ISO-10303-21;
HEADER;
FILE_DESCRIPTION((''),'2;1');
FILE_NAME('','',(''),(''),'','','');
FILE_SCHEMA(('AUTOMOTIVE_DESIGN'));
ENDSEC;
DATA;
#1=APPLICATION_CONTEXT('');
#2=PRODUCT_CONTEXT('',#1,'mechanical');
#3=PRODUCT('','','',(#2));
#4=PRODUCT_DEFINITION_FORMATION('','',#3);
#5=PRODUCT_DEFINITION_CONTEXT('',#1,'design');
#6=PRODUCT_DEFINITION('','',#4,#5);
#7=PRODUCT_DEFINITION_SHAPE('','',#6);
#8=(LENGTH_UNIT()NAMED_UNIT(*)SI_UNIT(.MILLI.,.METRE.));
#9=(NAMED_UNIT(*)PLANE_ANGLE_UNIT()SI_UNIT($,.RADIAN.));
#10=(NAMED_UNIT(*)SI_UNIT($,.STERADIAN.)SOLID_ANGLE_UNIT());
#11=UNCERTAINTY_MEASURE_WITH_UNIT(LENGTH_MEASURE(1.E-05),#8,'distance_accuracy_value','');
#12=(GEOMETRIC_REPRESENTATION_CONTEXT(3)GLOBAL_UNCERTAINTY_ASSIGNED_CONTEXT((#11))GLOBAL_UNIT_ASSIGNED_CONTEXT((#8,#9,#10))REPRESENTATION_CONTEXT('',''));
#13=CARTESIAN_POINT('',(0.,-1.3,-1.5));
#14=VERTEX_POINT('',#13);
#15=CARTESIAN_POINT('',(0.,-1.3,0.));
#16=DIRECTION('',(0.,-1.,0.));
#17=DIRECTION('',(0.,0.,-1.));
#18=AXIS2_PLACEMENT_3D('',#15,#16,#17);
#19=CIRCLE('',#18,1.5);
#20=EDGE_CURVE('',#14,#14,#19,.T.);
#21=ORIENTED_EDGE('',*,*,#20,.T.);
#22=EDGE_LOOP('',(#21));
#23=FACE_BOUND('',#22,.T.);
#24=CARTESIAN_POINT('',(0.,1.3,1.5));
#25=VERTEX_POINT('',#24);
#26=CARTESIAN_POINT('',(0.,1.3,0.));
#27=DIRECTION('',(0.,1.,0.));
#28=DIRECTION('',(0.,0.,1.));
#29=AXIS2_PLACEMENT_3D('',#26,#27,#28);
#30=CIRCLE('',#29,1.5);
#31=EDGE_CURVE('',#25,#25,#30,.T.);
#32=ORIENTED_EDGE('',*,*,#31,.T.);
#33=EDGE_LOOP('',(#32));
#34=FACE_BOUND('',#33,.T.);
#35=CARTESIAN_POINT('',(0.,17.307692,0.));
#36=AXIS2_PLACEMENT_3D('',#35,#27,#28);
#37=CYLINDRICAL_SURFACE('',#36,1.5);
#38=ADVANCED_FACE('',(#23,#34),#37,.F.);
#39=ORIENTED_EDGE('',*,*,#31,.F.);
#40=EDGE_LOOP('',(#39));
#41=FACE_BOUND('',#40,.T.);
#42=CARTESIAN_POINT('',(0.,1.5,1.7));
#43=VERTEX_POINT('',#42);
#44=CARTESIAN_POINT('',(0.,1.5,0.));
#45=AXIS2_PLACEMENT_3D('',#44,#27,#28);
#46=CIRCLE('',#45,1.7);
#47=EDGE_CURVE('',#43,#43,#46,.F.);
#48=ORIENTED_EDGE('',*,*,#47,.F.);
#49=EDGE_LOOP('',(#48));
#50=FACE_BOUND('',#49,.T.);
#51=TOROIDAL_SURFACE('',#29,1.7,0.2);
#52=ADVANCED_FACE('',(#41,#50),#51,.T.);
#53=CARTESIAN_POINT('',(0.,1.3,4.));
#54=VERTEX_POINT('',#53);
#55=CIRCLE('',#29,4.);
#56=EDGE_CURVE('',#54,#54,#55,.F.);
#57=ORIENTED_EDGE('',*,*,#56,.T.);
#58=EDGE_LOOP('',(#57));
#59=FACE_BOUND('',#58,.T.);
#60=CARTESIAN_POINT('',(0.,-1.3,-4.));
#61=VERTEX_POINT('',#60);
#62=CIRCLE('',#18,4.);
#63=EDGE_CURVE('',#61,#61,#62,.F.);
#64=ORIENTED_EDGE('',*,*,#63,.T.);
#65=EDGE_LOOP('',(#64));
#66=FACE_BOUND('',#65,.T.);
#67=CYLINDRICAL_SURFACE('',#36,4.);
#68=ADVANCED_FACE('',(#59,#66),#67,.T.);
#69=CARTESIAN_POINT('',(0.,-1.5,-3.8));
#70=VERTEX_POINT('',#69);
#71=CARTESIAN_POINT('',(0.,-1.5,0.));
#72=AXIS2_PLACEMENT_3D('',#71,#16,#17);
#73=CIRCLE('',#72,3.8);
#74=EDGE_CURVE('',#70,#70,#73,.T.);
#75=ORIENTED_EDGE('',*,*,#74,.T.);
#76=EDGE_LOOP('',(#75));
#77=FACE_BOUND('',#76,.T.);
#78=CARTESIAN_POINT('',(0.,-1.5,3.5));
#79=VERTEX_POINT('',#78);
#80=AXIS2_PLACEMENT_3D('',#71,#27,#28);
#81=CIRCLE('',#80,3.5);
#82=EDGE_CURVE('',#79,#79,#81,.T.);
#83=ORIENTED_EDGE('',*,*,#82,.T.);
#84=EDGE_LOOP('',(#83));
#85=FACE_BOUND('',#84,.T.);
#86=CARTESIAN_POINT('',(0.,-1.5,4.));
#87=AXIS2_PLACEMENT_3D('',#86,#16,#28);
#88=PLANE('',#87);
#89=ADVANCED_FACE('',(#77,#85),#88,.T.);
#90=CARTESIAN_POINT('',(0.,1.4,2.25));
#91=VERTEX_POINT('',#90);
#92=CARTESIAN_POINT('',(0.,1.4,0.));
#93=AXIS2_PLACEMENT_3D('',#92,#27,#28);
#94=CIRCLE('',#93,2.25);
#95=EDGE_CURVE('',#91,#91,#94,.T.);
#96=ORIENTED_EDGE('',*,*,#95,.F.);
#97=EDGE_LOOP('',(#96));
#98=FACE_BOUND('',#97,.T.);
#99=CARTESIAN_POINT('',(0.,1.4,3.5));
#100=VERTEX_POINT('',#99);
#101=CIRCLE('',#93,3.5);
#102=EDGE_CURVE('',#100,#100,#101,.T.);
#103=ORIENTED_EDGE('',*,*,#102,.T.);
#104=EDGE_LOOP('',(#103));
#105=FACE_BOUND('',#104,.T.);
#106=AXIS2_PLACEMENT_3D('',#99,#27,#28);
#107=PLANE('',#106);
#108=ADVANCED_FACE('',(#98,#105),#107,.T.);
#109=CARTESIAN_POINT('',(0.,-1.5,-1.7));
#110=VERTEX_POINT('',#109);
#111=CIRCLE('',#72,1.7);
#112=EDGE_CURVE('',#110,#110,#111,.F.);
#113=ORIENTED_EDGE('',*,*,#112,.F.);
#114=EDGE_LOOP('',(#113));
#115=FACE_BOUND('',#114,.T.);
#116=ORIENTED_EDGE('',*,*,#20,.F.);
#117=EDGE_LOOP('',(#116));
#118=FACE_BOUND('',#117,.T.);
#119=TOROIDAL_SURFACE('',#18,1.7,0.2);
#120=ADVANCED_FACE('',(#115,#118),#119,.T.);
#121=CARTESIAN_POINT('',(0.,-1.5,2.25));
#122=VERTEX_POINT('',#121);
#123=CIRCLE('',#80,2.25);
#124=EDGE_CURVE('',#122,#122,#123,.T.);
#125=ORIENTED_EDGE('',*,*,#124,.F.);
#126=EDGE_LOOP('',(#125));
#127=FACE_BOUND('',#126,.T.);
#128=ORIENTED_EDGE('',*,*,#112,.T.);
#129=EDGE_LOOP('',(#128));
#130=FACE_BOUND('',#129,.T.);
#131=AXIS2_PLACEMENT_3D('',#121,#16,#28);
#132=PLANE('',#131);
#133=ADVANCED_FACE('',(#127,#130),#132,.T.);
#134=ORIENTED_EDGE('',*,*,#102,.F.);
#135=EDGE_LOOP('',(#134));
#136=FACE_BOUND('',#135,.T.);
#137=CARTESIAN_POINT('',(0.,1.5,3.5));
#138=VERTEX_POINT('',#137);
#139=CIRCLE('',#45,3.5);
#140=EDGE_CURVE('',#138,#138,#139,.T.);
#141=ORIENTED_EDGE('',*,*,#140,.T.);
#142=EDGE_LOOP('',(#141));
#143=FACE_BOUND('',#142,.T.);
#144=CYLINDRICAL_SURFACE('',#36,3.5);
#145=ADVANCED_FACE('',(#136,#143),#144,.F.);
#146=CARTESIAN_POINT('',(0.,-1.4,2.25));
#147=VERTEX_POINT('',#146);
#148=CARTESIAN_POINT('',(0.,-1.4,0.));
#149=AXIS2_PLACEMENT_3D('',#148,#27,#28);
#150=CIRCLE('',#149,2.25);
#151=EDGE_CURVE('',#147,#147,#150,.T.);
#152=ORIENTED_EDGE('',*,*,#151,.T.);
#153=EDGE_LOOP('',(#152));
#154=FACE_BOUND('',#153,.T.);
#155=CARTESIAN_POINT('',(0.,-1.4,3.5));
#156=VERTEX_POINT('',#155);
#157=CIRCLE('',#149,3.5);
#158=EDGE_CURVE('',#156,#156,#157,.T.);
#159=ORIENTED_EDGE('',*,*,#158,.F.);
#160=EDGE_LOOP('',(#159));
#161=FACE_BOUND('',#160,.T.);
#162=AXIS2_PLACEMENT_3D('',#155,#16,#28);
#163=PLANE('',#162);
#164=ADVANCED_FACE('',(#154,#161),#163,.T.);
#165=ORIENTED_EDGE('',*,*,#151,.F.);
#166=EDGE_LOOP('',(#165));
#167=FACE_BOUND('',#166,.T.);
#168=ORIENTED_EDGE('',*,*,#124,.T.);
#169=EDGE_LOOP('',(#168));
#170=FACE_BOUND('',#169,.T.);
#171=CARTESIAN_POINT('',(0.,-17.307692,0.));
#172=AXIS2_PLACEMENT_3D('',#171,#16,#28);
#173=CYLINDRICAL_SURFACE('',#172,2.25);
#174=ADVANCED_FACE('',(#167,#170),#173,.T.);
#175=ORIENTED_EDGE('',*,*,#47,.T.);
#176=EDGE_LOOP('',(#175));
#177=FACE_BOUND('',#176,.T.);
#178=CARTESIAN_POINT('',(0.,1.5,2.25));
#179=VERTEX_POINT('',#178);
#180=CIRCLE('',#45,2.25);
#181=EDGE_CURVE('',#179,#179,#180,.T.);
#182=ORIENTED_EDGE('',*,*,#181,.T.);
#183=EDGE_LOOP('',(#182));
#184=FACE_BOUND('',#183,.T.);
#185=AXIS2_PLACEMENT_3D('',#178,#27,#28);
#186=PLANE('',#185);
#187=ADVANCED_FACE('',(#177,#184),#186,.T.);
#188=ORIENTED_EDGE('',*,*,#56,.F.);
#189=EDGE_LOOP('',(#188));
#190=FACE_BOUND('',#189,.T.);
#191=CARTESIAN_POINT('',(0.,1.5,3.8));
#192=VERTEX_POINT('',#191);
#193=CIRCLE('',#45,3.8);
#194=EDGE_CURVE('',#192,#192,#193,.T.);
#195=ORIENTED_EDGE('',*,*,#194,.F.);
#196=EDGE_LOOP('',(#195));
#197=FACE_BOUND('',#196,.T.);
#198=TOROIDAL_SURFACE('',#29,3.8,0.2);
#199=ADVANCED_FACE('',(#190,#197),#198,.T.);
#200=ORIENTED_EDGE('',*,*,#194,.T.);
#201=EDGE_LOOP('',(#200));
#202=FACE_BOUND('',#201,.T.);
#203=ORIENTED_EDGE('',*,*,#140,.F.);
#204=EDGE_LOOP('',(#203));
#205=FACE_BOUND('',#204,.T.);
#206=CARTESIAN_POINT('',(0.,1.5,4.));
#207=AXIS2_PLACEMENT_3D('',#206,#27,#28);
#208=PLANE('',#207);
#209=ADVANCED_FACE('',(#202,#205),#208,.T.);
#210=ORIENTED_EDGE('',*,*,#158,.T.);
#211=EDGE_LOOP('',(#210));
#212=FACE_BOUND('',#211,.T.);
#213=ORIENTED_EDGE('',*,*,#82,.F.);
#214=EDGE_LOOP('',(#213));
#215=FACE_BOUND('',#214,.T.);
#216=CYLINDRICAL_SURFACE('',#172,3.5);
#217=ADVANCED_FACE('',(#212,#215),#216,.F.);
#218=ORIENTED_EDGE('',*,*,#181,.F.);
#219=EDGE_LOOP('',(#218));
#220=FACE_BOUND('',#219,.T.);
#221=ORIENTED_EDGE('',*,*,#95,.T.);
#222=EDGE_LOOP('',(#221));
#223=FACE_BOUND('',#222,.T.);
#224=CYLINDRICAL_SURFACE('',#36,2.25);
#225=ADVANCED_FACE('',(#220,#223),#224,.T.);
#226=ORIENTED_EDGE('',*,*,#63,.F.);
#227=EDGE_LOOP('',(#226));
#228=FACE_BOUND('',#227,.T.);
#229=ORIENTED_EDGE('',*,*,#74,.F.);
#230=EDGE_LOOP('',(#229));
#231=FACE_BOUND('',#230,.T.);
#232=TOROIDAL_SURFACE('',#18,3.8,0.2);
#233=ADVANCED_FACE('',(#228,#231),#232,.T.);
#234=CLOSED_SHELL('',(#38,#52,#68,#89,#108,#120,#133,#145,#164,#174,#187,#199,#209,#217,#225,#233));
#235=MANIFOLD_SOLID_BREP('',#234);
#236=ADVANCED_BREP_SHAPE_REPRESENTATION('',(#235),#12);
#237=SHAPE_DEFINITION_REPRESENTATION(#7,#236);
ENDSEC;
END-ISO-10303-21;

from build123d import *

# Parameters (mm, degrees)
FILLET1_R            = 0.2
FILLET1_OF_MIRROR1_R = 0.2


with BuildPart() as part:
    # Sketch1 → Revolve1 (revolve)
    with BuildSketch(Plane(origin=(0, 0, 0), x_dir=(0, 0, -1), z_dir=(1, 0, 0))):
        Polygon((-4, 1.5), (-3.5, 1.5), (-3.5, 1.4), (-2.25, 1.4), (-2.25, 1.5), (-1.5, 1.5), (-1.5, 0), (-4, 0), align=None)
    revolve1 = revolve(axis=Axis((0, 17.307692308, 0), (0, -1, 0)))

    # Fillet1
    fillet1_edges = [part.edges().sort_by_distance(p)[0] for p in [
        (0, 1.5, -4),
        (0, 1.5, -1.5),
    ]]
    fillet(fillet1_edges, radius=FILLET1_R)

    # Mirror1: Revolve1 across plane
    add(revolve1.mirror(Plane.ZX))

    # Fillet1 of Mirror1
    fillet1_of_mirror1_edges = [part.edges().sort_by_distance(p)[0] for p in [
        (0, -1.5, -4),
        (0, -1.5, -1.5),
    ]]
    fillet(fillet1_of_mirror1_edges, radius=FILLET1_OF_MIRROR1_R)


solid = part.part
